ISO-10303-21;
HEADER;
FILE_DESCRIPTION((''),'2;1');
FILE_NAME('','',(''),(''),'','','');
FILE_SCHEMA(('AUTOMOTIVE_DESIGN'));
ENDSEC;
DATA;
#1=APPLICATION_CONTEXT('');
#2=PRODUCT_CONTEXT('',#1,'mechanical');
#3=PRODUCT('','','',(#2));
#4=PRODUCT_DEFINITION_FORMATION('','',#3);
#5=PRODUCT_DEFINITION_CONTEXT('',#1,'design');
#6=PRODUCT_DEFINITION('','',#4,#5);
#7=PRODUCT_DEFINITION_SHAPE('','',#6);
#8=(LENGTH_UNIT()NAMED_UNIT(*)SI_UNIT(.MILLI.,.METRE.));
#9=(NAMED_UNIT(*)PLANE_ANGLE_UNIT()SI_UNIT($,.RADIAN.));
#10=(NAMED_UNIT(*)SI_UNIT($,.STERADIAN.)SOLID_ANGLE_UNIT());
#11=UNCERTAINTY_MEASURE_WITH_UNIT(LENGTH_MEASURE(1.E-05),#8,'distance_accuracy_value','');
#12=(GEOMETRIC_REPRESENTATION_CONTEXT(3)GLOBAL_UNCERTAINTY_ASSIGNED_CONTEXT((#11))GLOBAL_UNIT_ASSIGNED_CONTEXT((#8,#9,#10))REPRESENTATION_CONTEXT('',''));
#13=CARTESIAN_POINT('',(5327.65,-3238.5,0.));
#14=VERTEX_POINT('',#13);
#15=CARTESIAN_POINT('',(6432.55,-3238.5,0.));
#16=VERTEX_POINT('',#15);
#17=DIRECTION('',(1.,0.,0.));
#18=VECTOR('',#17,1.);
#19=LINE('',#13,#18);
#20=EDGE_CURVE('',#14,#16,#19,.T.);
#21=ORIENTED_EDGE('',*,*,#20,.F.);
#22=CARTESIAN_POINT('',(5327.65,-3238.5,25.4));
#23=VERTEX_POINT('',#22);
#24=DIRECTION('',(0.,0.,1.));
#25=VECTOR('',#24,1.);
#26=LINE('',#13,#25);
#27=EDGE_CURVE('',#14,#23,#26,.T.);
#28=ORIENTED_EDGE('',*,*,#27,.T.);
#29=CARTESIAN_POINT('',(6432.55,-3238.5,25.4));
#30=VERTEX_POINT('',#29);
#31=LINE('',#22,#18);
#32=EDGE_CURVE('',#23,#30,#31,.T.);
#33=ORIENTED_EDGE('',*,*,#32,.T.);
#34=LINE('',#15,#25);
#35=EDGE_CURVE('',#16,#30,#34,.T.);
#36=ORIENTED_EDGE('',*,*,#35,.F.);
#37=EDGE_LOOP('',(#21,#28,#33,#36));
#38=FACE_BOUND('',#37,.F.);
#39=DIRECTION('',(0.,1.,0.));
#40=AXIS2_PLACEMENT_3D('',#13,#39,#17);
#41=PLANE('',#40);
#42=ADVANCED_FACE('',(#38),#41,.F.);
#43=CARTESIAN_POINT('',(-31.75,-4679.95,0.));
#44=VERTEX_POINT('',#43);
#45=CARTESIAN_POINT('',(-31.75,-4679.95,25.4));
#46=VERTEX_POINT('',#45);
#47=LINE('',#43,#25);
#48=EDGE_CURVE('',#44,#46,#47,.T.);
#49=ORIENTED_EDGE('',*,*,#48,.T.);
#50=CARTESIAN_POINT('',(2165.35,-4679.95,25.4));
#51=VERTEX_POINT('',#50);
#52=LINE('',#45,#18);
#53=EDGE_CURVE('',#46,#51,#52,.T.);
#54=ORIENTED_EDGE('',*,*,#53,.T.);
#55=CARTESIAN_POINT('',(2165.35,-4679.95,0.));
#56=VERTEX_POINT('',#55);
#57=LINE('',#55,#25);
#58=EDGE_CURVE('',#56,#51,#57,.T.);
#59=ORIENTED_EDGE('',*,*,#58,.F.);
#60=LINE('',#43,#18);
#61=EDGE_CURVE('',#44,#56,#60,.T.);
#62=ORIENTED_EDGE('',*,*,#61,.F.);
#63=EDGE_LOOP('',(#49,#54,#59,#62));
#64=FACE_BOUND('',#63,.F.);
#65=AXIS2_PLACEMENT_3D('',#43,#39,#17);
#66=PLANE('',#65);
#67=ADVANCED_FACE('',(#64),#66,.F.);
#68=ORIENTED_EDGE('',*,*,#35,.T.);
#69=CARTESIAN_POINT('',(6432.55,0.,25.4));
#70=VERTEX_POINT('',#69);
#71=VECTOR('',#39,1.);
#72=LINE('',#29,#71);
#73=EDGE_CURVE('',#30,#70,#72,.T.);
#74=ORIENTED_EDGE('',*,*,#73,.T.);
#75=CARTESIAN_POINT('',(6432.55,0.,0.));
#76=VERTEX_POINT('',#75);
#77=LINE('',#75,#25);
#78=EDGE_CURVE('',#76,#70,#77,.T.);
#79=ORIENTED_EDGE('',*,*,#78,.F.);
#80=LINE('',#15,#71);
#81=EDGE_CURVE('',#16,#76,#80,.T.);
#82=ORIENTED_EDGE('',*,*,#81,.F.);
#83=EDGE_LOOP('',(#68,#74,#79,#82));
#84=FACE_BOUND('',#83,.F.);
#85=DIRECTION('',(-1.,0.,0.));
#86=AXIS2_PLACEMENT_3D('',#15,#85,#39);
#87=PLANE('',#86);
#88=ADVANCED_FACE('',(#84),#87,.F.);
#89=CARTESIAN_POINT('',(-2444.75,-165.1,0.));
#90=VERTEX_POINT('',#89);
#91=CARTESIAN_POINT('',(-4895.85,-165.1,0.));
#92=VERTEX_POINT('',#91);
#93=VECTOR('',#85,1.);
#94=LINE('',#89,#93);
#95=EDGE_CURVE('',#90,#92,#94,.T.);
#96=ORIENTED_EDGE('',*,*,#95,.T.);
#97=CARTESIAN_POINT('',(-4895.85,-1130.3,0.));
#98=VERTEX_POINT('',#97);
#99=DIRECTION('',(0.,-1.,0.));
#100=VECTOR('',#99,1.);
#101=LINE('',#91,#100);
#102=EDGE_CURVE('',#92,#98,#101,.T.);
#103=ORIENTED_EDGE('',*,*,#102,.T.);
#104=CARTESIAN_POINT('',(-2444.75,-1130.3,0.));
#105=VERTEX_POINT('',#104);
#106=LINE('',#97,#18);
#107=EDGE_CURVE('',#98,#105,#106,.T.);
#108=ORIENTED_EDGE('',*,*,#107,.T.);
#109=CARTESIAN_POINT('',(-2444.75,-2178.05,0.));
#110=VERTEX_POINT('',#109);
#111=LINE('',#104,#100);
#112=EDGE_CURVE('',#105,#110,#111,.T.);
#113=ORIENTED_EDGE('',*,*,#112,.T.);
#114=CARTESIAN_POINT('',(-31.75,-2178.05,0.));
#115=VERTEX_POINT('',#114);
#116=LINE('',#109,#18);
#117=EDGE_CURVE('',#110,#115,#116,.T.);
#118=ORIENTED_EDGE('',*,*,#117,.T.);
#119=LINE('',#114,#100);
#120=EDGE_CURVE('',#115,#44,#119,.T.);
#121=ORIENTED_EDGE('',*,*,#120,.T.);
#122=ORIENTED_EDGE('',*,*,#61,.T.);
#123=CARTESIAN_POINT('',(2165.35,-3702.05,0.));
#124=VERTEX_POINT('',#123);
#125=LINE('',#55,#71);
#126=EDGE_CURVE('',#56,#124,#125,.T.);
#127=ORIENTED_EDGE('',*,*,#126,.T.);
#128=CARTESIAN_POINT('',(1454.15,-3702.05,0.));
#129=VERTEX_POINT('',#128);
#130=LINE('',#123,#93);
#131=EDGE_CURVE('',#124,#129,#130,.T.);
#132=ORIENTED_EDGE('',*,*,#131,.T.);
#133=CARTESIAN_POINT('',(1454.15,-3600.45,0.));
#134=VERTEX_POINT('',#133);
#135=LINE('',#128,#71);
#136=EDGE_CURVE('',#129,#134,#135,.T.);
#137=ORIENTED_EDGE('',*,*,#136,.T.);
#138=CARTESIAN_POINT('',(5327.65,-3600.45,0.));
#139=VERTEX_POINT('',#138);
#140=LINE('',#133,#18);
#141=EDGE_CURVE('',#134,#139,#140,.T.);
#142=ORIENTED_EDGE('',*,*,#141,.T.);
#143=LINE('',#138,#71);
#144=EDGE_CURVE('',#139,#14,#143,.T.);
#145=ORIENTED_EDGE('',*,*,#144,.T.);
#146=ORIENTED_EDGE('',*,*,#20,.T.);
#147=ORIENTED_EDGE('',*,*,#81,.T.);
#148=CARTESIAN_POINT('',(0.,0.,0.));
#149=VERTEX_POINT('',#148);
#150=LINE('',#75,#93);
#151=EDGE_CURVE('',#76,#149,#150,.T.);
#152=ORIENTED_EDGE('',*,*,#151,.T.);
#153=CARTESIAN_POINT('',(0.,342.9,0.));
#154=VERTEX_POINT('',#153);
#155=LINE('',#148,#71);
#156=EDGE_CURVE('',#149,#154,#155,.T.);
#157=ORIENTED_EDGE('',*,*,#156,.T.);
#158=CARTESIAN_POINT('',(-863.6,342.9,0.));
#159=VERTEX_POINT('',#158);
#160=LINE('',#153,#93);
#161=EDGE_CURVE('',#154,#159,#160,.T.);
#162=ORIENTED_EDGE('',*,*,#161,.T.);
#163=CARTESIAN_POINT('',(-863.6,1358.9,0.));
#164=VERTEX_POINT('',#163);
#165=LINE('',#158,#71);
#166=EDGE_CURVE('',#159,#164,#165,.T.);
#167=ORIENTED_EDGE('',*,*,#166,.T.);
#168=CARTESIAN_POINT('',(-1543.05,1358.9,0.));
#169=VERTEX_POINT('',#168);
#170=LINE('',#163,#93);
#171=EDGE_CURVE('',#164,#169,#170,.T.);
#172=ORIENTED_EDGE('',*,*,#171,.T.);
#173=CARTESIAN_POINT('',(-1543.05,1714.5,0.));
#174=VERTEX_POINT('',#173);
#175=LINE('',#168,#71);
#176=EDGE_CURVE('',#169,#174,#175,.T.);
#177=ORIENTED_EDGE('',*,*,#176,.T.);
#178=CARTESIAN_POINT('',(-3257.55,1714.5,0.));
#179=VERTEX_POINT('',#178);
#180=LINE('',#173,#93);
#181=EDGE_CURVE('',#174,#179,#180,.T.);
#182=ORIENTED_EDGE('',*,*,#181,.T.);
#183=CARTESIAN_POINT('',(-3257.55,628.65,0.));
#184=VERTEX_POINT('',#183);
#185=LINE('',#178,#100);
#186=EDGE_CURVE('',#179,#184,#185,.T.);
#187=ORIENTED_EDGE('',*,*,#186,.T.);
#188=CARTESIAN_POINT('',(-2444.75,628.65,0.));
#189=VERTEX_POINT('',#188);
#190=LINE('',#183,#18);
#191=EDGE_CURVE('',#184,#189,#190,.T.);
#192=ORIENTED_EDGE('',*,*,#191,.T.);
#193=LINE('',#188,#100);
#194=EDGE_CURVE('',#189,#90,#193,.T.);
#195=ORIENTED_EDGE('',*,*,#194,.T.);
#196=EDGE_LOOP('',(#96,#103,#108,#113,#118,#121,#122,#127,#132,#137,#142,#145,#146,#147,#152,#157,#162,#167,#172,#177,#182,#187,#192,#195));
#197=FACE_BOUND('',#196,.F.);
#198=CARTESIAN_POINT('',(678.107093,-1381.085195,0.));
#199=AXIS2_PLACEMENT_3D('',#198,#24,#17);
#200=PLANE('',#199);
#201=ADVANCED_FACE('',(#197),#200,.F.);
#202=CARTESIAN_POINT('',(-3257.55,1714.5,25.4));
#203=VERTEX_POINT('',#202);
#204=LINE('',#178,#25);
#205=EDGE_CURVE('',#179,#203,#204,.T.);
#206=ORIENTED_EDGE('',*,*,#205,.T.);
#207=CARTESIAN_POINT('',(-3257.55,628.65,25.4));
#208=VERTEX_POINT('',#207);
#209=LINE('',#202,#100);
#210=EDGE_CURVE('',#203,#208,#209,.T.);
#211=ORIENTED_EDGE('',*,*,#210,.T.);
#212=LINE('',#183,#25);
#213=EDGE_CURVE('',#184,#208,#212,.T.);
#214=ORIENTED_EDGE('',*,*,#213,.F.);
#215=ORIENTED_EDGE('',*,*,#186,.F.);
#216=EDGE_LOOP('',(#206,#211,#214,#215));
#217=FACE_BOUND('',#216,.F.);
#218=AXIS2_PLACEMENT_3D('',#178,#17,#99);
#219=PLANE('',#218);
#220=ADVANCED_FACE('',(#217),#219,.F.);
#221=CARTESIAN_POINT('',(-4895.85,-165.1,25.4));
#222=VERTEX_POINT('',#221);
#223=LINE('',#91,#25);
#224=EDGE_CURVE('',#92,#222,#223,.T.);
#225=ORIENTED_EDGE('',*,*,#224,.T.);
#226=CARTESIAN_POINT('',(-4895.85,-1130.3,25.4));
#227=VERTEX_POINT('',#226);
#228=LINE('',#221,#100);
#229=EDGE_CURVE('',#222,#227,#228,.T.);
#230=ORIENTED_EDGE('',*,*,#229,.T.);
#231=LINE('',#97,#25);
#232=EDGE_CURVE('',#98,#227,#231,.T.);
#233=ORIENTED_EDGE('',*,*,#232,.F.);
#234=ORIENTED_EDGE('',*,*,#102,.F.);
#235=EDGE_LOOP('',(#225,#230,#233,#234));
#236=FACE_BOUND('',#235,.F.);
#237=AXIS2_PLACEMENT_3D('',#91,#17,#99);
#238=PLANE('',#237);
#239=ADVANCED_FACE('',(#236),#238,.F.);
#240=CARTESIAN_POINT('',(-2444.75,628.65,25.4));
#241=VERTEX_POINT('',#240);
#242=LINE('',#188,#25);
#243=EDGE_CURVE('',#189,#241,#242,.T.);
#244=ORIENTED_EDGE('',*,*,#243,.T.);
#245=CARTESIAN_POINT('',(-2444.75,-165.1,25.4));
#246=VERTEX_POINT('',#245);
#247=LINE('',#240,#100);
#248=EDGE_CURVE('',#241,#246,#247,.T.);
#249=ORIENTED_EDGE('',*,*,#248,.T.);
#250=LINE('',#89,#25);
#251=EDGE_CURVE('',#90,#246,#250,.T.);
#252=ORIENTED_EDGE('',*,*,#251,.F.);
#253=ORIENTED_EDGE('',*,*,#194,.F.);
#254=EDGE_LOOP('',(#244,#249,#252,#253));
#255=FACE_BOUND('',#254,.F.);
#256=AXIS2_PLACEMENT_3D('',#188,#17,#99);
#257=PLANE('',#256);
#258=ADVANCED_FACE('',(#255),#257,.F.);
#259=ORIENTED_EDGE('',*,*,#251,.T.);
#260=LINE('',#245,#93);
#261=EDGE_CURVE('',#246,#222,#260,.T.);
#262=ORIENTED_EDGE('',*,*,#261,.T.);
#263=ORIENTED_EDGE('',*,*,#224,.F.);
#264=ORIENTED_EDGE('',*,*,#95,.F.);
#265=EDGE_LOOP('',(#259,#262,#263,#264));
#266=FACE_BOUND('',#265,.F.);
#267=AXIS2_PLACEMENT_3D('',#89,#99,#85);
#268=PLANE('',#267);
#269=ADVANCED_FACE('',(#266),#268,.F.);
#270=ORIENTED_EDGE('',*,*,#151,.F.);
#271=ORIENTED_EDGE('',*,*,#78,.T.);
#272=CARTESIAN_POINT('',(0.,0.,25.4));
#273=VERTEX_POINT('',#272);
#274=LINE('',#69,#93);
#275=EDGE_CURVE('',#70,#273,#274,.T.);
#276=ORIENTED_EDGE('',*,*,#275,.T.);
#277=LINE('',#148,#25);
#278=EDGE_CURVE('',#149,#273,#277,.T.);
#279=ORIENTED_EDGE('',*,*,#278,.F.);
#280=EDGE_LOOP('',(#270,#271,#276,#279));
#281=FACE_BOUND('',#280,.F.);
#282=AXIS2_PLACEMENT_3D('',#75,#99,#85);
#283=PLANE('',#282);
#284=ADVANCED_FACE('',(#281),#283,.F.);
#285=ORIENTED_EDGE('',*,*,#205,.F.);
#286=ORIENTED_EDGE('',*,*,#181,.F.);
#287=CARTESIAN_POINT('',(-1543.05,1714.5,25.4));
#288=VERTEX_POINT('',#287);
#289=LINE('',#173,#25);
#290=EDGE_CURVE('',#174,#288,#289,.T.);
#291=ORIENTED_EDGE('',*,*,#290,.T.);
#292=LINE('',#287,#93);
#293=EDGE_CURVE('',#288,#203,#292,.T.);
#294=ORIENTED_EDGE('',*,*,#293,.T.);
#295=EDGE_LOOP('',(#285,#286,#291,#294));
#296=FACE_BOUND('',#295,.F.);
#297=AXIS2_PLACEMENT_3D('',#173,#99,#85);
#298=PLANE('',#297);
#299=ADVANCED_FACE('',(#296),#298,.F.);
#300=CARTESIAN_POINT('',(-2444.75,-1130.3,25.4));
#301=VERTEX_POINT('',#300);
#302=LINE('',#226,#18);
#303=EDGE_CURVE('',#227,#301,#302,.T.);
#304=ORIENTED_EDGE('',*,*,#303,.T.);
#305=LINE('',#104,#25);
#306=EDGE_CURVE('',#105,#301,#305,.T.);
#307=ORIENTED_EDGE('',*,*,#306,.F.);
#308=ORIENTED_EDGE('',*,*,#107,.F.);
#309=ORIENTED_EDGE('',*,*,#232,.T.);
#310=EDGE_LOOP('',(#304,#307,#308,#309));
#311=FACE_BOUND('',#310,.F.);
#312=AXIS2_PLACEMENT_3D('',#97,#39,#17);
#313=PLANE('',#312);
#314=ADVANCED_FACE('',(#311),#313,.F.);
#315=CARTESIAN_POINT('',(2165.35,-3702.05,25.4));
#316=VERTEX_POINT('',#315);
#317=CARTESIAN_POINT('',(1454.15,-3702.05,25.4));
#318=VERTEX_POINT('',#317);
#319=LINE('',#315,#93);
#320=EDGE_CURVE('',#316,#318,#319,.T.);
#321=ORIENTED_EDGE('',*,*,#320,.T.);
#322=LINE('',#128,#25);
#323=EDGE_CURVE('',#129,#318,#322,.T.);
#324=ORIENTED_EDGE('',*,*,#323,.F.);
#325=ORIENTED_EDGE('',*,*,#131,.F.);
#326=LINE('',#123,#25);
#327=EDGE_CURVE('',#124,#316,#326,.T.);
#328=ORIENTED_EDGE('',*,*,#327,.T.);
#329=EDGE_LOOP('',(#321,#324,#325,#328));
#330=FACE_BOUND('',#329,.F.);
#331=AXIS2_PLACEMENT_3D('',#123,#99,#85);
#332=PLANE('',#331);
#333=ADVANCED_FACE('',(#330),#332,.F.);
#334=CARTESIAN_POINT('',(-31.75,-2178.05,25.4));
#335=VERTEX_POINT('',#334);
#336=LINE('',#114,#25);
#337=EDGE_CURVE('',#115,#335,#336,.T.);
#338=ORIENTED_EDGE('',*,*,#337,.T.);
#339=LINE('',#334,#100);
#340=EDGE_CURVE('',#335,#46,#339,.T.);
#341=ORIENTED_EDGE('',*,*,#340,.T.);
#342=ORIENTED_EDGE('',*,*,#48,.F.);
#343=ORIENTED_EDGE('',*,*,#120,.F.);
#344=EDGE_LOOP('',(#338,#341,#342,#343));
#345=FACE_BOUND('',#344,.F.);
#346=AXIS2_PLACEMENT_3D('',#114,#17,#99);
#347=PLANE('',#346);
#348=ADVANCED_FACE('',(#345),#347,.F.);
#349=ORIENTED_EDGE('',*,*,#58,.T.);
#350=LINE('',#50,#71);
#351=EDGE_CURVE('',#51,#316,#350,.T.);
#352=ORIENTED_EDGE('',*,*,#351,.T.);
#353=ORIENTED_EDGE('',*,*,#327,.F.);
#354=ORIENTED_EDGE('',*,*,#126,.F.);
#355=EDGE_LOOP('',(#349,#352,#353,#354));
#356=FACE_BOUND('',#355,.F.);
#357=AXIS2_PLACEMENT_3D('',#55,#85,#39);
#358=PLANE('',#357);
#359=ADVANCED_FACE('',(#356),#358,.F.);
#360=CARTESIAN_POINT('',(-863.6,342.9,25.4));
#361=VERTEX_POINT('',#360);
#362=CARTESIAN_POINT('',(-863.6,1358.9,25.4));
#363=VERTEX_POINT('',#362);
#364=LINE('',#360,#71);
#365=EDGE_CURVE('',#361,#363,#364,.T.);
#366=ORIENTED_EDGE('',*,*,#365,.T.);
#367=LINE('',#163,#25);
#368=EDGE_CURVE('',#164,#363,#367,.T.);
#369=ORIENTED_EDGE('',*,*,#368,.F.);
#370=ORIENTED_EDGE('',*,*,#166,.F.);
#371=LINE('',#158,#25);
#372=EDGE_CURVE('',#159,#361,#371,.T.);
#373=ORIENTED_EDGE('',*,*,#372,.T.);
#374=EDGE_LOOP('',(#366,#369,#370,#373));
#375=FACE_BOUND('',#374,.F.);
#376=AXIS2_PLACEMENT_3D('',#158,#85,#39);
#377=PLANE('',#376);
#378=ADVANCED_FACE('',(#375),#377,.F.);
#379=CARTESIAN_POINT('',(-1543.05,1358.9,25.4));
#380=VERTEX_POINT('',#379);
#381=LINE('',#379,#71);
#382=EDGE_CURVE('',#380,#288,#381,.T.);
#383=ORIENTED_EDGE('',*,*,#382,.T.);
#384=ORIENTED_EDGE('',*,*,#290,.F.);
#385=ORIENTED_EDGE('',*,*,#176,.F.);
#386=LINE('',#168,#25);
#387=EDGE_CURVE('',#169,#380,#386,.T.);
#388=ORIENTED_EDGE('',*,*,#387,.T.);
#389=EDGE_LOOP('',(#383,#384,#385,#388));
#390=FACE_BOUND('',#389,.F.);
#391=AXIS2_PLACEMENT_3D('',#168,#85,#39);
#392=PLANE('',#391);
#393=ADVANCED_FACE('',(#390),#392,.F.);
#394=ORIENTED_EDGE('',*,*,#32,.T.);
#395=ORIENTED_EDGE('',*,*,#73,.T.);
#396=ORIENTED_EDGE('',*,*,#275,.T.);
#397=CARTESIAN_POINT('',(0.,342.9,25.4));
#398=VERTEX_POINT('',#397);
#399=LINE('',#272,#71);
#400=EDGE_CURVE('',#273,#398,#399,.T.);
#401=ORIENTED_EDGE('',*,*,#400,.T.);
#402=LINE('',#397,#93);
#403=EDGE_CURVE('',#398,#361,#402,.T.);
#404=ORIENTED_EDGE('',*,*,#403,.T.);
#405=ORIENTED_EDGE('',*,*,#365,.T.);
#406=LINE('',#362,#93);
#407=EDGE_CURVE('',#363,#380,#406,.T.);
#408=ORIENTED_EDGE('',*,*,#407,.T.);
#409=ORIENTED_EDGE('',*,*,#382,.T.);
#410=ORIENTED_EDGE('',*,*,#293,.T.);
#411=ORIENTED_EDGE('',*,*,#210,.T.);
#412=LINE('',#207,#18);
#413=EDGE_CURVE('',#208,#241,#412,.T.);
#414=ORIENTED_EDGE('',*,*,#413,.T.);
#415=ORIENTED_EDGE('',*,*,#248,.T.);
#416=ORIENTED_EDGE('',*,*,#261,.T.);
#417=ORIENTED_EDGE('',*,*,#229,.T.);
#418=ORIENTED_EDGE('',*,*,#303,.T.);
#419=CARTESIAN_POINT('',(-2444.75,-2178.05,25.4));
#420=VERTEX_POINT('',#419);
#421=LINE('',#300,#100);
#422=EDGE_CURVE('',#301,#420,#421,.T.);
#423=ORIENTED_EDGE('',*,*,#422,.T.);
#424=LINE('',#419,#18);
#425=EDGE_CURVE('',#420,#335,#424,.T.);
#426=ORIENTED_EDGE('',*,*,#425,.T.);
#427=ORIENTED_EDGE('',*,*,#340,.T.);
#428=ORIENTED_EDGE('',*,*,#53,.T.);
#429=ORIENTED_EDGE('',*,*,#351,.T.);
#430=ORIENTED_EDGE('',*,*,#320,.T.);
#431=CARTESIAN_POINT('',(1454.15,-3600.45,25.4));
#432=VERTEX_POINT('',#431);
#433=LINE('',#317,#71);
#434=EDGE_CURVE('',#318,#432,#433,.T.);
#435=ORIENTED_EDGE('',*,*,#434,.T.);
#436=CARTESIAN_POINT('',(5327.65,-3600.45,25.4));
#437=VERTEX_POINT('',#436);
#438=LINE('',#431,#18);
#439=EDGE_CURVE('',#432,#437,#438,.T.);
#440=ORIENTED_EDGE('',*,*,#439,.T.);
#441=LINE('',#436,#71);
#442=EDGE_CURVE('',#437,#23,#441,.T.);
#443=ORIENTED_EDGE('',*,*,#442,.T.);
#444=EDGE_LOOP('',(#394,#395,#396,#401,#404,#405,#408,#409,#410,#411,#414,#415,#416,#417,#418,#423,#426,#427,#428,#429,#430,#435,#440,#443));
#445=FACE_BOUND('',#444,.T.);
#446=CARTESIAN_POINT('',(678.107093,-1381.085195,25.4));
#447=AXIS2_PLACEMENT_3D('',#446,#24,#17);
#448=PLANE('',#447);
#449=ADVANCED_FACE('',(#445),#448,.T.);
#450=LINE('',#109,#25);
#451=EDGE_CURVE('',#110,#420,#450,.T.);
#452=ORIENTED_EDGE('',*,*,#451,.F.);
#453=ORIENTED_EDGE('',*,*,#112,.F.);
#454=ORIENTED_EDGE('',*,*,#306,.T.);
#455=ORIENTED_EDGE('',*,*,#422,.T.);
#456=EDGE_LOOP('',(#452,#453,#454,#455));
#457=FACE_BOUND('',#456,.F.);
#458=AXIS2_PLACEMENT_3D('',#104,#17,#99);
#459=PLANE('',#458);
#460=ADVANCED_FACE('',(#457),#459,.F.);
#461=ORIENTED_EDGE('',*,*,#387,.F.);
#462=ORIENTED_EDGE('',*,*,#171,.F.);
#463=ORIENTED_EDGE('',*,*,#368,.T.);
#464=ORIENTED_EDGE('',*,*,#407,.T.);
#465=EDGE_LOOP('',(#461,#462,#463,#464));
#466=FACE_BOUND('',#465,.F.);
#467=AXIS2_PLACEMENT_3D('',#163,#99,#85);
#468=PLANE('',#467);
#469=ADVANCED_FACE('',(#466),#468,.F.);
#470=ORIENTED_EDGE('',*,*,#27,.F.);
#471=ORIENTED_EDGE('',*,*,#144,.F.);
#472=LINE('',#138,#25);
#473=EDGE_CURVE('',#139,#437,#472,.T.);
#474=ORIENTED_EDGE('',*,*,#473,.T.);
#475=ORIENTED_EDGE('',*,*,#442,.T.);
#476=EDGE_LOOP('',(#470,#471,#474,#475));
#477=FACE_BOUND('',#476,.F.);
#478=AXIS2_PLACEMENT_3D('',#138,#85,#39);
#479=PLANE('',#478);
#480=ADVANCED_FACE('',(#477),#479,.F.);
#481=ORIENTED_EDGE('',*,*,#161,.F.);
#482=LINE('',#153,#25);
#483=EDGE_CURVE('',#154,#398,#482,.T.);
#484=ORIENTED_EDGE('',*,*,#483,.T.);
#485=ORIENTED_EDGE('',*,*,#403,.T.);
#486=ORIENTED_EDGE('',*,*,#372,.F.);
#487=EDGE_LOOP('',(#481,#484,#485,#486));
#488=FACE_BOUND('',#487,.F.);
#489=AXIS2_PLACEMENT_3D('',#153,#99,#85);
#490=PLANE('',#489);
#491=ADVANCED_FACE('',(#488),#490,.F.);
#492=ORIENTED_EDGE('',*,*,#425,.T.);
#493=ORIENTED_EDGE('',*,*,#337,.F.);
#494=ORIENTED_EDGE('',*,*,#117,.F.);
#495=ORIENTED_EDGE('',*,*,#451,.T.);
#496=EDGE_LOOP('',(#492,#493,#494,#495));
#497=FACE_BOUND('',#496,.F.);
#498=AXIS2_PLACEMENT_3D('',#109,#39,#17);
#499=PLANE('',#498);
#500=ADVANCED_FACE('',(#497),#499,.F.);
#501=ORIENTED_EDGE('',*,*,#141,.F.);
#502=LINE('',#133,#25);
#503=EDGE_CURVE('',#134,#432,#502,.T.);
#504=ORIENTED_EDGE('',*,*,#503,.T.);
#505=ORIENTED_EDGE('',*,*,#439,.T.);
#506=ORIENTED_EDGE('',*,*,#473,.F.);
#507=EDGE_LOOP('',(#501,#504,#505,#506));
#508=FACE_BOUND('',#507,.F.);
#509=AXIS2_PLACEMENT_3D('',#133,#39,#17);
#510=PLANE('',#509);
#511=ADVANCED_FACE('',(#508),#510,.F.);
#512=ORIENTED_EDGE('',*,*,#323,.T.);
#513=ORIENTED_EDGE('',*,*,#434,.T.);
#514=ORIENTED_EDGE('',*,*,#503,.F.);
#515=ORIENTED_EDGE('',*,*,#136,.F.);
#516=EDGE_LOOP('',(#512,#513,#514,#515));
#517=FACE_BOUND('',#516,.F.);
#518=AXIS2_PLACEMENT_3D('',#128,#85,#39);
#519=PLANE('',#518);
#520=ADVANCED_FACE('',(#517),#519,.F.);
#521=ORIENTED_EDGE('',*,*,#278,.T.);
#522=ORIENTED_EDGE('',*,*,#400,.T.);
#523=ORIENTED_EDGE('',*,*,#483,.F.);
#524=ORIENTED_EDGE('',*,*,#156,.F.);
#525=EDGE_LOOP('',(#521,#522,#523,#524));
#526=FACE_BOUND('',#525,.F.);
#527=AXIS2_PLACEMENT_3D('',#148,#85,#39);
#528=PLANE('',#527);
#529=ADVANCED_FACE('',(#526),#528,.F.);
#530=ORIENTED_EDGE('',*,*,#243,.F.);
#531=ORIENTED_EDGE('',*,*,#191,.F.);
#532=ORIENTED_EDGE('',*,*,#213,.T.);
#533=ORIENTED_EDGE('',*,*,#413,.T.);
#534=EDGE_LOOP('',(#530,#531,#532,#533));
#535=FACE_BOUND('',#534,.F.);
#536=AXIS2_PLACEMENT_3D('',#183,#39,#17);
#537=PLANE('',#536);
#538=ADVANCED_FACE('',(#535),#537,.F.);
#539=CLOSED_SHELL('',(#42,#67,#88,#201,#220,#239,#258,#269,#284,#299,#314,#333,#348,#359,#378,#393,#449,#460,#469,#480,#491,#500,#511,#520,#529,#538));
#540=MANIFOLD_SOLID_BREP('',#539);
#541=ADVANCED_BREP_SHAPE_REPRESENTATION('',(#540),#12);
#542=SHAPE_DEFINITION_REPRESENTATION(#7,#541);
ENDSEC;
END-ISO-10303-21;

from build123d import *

# Parameters (mm, degrees)
F2_DEPTH = 25.4


with BuildPart() as f2:
    # F0 (on Top) → F2 (new body)
    with BuildSketch(Plane.XY):
        Polygon((6432.55, 0), (0, 0), (0, 342.9), (-863.6, 342.9), (-863.6, 999.924173), (-863.6, 1358.9), (-1543.05, 1358.9), (-1543.05, 1714.5), (-3257.55, 1714.5), (-3257.55, 628.65), (-2444.75, 628.65), (-2444.75, -165.1), (-4895.85, -165.1), (-4895.85, -1130.3), (-2444.75, -1130.3), (-2444.75, -2178.05), (-31.75, -2178.05), (-31.75, -4679.95), (2165.35, -4679.95), (2165.35, -3702.05), (1454.15, -3702.05), (1454.15, -3600.45), (5327.65, -3600.45), (5327.65, -3238.5), (6432.55, -3238.5), align=None)
    extrude(amount=F2_DEPTH)


solid = f2.part
